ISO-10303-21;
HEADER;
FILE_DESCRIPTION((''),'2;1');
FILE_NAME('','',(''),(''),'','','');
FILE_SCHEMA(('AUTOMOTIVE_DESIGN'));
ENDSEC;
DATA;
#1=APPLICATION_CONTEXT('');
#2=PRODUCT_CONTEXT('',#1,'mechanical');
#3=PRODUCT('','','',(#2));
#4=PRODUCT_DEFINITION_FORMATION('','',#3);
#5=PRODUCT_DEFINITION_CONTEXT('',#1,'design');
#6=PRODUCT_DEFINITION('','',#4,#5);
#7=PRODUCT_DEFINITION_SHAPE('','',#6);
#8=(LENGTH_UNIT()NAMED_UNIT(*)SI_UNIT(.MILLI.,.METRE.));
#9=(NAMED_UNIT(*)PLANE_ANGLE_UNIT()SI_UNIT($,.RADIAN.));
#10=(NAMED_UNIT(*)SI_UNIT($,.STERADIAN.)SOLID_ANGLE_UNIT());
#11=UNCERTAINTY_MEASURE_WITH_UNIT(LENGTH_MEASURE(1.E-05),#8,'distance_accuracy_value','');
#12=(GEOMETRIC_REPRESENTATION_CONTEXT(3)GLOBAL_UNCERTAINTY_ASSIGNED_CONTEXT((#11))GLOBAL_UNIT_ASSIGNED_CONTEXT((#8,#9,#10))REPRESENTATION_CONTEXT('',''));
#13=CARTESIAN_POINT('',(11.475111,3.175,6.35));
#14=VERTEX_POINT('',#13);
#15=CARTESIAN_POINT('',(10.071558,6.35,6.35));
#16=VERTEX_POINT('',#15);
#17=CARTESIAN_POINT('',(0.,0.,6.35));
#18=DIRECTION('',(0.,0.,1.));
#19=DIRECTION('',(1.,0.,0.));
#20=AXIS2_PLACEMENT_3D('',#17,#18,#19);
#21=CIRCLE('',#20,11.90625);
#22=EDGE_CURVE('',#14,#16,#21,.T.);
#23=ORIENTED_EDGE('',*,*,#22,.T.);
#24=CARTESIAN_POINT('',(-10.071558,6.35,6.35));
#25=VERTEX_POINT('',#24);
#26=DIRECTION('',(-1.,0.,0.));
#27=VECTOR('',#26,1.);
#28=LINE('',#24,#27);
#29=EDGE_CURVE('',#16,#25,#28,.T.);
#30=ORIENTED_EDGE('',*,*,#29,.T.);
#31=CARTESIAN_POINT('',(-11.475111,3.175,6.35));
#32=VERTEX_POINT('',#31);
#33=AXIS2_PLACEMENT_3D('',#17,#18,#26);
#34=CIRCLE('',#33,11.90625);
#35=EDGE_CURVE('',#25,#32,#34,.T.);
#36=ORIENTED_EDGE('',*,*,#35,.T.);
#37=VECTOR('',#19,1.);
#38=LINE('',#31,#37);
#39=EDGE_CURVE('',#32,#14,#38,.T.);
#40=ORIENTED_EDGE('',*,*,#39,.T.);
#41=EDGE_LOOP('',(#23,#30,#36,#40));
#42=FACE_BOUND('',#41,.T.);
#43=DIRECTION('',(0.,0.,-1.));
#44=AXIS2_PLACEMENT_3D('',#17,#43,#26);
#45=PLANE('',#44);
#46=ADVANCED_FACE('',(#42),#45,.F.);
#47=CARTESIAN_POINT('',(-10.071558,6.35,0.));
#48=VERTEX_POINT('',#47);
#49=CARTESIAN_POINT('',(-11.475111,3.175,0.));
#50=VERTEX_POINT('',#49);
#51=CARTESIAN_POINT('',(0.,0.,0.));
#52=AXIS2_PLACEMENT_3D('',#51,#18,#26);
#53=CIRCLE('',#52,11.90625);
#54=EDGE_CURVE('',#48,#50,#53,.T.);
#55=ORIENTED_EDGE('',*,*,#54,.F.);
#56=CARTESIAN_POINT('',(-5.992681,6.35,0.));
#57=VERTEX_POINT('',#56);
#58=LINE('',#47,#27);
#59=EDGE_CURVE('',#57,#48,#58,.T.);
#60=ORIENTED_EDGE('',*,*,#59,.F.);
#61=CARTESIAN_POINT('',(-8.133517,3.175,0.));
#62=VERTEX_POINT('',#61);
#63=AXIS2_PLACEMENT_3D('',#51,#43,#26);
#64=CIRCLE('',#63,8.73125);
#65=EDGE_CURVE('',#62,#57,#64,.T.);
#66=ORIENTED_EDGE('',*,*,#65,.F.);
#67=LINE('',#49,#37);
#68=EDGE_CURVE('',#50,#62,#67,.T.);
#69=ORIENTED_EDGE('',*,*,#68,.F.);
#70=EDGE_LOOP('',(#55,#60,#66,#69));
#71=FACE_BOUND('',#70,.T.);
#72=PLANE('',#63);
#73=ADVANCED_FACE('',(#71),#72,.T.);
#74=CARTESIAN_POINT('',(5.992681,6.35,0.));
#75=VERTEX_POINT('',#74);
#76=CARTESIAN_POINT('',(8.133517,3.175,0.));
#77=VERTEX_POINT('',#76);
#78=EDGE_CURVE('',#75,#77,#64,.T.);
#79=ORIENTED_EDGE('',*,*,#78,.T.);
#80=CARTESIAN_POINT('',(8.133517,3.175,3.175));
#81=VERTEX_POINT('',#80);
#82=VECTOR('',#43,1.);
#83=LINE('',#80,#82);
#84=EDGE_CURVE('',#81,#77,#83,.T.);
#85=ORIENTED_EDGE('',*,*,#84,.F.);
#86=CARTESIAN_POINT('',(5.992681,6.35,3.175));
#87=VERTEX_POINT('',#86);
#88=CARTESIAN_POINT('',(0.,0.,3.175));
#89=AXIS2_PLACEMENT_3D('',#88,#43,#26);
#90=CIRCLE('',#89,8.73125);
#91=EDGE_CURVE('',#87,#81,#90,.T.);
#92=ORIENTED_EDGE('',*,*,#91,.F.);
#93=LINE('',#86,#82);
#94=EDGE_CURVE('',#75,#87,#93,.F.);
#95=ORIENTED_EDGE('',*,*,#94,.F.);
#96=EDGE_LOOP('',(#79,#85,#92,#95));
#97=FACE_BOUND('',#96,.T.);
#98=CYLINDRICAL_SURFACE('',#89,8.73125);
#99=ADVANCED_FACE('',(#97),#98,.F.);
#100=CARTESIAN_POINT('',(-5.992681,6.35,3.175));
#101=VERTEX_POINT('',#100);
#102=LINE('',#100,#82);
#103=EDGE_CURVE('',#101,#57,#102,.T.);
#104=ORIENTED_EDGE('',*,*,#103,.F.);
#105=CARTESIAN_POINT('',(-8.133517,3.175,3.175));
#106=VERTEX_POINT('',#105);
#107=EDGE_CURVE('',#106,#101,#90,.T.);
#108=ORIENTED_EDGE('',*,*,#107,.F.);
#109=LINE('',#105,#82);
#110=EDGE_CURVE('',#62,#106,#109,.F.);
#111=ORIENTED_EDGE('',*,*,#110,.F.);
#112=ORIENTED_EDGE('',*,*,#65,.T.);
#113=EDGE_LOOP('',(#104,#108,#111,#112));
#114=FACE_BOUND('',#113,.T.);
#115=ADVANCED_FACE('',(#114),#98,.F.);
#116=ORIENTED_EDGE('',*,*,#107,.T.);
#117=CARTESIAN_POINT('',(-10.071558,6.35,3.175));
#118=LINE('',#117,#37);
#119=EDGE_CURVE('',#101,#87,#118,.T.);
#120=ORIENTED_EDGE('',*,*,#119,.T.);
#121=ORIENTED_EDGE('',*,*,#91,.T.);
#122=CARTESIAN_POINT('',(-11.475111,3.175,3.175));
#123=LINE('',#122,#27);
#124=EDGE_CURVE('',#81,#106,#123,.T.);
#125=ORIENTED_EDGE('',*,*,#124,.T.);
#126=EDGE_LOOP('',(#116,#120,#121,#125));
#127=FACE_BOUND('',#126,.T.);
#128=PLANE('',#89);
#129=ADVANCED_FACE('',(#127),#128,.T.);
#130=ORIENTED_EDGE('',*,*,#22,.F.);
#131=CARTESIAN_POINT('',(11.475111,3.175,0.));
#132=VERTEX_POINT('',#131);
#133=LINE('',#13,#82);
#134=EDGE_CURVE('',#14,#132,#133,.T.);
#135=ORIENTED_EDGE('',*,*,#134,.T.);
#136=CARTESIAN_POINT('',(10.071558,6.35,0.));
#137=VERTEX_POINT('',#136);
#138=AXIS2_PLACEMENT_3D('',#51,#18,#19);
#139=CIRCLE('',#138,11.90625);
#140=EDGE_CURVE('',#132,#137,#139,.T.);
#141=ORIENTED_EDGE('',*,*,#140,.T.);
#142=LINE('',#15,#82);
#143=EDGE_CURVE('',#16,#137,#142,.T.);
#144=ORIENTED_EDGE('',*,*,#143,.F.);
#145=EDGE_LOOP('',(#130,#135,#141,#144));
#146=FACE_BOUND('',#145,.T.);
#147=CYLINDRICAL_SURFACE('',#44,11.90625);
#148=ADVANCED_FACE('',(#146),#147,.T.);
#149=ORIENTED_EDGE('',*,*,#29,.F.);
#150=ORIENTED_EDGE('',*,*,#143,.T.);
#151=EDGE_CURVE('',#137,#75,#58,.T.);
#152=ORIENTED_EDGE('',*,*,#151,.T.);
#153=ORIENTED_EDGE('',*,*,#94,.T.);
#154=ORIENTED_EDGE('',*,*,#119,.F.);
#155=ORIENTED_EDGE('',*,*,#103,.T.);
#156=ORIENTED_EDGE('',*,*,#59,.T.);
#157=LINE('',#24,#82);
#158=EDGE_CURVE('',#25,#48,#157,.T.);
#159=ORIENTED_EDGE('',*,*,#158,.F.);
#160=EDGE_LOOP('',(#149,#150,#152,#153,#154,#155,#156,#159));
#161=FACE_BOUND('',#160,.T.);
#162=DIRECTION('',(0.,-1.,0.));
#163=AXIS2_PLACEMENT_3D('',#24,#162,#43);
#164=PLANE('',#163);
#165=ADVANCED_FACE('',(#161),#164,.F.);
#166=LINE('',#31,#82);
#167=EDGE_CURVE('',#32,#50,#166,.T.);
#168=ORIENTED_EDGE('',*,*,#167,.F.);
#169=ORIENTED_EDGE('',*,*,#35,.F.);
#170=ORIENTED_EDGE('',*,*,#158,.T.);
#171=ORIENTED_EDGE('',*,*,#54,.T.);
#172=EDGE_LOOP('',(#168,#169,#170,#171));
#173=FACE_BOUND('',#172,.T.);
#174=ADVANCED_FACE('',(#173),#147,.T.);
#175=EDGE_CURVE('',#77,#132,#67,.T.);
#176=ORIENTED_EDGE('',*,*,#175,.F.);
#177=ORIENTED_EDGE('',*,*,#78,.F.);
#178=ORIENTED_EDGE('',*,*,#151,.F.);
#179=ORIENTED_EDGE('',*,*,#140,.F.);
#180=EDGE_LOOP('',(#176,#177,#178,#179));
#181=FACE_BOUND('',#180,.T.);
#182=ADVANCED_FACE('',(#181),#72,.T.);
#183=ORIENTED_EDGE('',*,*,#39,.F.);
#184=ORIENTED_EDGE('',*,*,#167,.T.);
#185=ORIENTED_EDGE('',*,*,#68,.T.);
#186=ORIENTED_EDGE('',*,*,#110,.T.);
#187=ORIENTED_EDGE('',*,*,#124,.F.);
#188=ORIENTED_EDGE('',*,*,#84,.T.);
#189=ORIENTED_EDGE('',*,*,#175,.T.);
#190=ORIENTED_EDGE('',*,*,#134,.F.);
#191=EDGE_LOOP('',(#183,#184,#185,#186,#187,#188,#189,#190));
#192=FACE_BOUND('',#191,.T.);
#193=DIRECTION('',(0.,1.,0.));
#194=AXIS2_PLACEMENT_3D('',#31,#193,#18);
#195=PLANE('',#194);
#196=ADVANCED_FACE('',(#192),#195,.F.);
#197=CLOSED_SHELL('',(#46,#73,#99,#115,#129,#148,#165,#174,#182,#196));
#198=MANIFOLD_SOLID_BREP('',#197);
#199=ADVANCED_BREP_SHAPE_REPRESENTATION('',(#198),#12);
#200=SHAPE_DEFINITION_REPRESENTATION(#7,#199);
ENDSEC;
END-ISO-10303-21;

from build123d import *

# Parameters (mm, degrees)
BOSS_EXTRUDE2_DEPTH = 6.35
SKETCH5_R           = 8.73125
CUT_EXTRUDE1_DEPTH  = 3.175


with BuildPart() as part:
    # Sketch3 → Boss-Extrude2 (new body)
    with BuildSketch(Plane.XY):
        with BuildLine():
            Line((-10.071558423, 6.35), (10.071558423, 6.35))
            ThreePointArc((10.071558423, 6.35), (10.8896691, 4.81392729), (11.475110634, 3.175))
            Line((11.475110634, 3.175), (-11.475110634, 3.175))
            ThreePointArc((-11.475110634, 3.175), (-10.8896691, 4.81392729), (-10.071558423, 6.35))
        make_face()
    extrude(amount=BOSS_EXTRUDE2_DEPTH)

    # Sketch5 → Cut-Extrude1 (cut)
    with BuildSketch(Plane(origin=(0, 0, 0), x_dir=(-1, 0, 0), z_dir=(0, 0, -1))):
        Circle(SKETCH5_R)
    extrude(amount=-CUT_EXTRUDE1_DEPTH, mode=Mode.SUBTRACT)


solid = part.part
